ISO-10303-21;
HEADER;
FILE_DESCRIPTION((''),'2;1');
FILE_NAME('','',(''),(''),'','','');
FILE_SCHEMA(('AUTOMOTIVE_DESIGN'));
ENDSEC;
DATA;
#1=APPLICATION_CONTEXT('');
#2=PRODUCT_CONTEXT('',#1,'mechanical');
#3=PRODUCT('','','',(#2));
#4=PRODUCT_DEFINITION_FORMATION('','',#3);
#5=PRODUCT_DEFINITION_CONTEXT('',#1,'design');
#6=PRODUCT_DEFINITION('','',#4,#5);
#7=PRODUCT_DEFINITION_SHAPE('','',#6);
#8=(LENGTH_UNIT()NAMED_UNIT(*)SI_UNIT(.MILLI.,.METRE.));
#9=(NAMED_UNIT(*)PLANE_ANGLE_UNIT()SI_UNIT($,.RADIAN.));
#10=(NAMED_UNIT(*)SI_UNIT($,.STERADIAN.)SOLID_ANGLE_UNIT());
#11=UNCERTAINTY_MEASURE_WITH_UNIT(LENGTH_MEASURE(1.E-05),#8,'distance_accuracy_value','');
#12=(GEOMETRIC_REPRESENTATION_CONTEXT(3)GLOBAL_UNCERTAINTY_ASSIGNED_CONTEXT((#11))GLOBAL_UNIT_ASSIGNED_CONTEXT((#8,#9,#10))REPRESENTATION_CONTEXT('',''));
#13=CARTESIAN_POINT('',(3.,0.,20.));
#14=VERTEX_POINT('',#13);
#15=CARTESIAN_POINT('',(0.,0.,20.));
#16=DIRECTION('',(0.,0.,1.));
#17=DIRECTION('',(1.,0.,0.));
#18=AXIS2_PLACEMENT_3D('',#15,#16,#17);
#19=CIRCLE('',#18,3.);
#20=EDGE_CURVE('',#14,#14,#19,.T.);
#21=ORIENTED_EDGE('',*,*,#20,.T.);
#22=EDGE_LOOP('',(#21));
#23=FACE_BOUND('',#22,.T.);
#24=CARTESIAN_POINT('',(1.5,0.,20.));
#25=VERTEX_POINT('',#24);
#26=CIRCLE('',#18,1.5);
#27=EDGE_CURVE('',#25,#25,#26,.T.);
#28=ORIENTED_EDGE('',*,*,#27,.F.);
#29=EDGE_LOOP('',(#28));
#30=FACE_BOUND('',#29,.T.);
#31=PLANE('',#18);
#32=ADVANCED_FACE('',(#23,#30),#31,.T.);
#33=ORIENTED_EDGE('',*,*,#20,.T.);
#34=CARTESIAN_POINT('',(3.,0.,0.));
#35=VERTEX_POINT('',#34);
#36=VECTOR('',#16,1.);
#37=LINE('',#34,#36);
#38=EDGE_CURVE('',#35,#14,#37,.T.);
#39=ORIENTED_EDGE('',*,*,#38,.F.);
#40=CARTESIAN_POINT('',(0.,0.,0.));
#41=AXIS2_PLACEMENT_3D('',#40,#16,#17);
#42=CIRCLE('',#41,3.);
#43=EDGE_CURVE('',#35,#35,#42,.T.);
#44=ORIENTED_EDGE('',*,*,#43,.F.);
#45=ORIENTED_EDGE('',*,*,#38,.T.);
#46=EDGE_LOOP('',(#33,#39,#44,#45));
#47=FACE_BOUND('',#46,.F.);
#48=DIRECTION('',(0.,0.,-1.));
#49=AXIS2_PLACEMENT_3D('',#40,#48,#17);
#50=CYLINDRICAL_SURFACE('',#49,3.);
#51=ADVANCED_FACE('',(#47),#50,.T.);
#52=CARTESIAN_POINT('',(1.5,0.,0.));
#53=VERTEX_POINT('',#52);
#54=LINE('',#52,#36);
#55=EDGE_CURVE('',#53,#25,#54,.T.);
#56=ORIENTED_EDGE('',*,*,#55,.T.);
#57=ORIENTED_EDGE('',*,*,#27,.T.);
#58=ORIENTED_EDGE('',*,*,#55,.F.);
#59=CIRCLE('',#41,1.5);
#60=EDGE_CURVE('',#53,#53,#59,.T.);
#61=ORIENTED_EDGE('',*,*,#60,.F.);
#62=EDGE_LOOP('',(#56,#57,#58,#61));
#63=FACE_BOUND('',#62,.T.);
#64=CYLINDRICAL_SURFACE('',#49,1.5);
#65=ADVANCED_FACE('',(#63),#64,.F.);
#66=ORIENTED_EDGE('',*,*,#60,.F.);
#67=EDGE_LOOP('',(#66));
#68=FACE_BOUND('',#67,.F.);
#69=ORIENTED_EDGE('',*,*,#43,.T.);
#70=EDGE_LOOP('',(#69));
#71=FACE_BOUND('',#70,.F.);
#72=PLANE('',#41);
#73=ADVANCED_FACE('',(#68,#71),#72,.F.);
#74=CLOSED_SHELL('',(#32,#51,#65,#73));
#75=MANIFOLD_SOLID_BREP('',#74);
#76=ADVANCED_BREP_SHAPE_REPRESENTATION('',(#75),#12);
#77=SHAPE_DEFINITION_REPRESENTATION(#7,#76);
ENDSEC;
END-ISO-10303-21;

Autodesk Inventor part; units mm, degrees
ref_plane "YZ Plane" through (0, 0, 0) normal (1, 0, 0) x (0, 1, 0)
ref_plane "XZ Plane" through (0, 0, 0) normal (0, 1, 0) x (-1, 0, 0)
ref_plane "XY Plane" through (0, 0, 0) normal (0, 0, 1) x (1, 0, 0)
sketch "スケッチ1" plane through (0, 0, 0) normal (0, 0, 1) x (1, 0, 0)
  circle A0 centre (0, 0) radius 3
  circle A1 centre (0, 0) radius 1.5
  dimension "d0" = 6
  dimension "d1" = 3
extrude "押し出し1" add sketch "スケッチ1" along normal blind 20
properties part number "スペーサーm3,20" material "アルミニウム 7075"
